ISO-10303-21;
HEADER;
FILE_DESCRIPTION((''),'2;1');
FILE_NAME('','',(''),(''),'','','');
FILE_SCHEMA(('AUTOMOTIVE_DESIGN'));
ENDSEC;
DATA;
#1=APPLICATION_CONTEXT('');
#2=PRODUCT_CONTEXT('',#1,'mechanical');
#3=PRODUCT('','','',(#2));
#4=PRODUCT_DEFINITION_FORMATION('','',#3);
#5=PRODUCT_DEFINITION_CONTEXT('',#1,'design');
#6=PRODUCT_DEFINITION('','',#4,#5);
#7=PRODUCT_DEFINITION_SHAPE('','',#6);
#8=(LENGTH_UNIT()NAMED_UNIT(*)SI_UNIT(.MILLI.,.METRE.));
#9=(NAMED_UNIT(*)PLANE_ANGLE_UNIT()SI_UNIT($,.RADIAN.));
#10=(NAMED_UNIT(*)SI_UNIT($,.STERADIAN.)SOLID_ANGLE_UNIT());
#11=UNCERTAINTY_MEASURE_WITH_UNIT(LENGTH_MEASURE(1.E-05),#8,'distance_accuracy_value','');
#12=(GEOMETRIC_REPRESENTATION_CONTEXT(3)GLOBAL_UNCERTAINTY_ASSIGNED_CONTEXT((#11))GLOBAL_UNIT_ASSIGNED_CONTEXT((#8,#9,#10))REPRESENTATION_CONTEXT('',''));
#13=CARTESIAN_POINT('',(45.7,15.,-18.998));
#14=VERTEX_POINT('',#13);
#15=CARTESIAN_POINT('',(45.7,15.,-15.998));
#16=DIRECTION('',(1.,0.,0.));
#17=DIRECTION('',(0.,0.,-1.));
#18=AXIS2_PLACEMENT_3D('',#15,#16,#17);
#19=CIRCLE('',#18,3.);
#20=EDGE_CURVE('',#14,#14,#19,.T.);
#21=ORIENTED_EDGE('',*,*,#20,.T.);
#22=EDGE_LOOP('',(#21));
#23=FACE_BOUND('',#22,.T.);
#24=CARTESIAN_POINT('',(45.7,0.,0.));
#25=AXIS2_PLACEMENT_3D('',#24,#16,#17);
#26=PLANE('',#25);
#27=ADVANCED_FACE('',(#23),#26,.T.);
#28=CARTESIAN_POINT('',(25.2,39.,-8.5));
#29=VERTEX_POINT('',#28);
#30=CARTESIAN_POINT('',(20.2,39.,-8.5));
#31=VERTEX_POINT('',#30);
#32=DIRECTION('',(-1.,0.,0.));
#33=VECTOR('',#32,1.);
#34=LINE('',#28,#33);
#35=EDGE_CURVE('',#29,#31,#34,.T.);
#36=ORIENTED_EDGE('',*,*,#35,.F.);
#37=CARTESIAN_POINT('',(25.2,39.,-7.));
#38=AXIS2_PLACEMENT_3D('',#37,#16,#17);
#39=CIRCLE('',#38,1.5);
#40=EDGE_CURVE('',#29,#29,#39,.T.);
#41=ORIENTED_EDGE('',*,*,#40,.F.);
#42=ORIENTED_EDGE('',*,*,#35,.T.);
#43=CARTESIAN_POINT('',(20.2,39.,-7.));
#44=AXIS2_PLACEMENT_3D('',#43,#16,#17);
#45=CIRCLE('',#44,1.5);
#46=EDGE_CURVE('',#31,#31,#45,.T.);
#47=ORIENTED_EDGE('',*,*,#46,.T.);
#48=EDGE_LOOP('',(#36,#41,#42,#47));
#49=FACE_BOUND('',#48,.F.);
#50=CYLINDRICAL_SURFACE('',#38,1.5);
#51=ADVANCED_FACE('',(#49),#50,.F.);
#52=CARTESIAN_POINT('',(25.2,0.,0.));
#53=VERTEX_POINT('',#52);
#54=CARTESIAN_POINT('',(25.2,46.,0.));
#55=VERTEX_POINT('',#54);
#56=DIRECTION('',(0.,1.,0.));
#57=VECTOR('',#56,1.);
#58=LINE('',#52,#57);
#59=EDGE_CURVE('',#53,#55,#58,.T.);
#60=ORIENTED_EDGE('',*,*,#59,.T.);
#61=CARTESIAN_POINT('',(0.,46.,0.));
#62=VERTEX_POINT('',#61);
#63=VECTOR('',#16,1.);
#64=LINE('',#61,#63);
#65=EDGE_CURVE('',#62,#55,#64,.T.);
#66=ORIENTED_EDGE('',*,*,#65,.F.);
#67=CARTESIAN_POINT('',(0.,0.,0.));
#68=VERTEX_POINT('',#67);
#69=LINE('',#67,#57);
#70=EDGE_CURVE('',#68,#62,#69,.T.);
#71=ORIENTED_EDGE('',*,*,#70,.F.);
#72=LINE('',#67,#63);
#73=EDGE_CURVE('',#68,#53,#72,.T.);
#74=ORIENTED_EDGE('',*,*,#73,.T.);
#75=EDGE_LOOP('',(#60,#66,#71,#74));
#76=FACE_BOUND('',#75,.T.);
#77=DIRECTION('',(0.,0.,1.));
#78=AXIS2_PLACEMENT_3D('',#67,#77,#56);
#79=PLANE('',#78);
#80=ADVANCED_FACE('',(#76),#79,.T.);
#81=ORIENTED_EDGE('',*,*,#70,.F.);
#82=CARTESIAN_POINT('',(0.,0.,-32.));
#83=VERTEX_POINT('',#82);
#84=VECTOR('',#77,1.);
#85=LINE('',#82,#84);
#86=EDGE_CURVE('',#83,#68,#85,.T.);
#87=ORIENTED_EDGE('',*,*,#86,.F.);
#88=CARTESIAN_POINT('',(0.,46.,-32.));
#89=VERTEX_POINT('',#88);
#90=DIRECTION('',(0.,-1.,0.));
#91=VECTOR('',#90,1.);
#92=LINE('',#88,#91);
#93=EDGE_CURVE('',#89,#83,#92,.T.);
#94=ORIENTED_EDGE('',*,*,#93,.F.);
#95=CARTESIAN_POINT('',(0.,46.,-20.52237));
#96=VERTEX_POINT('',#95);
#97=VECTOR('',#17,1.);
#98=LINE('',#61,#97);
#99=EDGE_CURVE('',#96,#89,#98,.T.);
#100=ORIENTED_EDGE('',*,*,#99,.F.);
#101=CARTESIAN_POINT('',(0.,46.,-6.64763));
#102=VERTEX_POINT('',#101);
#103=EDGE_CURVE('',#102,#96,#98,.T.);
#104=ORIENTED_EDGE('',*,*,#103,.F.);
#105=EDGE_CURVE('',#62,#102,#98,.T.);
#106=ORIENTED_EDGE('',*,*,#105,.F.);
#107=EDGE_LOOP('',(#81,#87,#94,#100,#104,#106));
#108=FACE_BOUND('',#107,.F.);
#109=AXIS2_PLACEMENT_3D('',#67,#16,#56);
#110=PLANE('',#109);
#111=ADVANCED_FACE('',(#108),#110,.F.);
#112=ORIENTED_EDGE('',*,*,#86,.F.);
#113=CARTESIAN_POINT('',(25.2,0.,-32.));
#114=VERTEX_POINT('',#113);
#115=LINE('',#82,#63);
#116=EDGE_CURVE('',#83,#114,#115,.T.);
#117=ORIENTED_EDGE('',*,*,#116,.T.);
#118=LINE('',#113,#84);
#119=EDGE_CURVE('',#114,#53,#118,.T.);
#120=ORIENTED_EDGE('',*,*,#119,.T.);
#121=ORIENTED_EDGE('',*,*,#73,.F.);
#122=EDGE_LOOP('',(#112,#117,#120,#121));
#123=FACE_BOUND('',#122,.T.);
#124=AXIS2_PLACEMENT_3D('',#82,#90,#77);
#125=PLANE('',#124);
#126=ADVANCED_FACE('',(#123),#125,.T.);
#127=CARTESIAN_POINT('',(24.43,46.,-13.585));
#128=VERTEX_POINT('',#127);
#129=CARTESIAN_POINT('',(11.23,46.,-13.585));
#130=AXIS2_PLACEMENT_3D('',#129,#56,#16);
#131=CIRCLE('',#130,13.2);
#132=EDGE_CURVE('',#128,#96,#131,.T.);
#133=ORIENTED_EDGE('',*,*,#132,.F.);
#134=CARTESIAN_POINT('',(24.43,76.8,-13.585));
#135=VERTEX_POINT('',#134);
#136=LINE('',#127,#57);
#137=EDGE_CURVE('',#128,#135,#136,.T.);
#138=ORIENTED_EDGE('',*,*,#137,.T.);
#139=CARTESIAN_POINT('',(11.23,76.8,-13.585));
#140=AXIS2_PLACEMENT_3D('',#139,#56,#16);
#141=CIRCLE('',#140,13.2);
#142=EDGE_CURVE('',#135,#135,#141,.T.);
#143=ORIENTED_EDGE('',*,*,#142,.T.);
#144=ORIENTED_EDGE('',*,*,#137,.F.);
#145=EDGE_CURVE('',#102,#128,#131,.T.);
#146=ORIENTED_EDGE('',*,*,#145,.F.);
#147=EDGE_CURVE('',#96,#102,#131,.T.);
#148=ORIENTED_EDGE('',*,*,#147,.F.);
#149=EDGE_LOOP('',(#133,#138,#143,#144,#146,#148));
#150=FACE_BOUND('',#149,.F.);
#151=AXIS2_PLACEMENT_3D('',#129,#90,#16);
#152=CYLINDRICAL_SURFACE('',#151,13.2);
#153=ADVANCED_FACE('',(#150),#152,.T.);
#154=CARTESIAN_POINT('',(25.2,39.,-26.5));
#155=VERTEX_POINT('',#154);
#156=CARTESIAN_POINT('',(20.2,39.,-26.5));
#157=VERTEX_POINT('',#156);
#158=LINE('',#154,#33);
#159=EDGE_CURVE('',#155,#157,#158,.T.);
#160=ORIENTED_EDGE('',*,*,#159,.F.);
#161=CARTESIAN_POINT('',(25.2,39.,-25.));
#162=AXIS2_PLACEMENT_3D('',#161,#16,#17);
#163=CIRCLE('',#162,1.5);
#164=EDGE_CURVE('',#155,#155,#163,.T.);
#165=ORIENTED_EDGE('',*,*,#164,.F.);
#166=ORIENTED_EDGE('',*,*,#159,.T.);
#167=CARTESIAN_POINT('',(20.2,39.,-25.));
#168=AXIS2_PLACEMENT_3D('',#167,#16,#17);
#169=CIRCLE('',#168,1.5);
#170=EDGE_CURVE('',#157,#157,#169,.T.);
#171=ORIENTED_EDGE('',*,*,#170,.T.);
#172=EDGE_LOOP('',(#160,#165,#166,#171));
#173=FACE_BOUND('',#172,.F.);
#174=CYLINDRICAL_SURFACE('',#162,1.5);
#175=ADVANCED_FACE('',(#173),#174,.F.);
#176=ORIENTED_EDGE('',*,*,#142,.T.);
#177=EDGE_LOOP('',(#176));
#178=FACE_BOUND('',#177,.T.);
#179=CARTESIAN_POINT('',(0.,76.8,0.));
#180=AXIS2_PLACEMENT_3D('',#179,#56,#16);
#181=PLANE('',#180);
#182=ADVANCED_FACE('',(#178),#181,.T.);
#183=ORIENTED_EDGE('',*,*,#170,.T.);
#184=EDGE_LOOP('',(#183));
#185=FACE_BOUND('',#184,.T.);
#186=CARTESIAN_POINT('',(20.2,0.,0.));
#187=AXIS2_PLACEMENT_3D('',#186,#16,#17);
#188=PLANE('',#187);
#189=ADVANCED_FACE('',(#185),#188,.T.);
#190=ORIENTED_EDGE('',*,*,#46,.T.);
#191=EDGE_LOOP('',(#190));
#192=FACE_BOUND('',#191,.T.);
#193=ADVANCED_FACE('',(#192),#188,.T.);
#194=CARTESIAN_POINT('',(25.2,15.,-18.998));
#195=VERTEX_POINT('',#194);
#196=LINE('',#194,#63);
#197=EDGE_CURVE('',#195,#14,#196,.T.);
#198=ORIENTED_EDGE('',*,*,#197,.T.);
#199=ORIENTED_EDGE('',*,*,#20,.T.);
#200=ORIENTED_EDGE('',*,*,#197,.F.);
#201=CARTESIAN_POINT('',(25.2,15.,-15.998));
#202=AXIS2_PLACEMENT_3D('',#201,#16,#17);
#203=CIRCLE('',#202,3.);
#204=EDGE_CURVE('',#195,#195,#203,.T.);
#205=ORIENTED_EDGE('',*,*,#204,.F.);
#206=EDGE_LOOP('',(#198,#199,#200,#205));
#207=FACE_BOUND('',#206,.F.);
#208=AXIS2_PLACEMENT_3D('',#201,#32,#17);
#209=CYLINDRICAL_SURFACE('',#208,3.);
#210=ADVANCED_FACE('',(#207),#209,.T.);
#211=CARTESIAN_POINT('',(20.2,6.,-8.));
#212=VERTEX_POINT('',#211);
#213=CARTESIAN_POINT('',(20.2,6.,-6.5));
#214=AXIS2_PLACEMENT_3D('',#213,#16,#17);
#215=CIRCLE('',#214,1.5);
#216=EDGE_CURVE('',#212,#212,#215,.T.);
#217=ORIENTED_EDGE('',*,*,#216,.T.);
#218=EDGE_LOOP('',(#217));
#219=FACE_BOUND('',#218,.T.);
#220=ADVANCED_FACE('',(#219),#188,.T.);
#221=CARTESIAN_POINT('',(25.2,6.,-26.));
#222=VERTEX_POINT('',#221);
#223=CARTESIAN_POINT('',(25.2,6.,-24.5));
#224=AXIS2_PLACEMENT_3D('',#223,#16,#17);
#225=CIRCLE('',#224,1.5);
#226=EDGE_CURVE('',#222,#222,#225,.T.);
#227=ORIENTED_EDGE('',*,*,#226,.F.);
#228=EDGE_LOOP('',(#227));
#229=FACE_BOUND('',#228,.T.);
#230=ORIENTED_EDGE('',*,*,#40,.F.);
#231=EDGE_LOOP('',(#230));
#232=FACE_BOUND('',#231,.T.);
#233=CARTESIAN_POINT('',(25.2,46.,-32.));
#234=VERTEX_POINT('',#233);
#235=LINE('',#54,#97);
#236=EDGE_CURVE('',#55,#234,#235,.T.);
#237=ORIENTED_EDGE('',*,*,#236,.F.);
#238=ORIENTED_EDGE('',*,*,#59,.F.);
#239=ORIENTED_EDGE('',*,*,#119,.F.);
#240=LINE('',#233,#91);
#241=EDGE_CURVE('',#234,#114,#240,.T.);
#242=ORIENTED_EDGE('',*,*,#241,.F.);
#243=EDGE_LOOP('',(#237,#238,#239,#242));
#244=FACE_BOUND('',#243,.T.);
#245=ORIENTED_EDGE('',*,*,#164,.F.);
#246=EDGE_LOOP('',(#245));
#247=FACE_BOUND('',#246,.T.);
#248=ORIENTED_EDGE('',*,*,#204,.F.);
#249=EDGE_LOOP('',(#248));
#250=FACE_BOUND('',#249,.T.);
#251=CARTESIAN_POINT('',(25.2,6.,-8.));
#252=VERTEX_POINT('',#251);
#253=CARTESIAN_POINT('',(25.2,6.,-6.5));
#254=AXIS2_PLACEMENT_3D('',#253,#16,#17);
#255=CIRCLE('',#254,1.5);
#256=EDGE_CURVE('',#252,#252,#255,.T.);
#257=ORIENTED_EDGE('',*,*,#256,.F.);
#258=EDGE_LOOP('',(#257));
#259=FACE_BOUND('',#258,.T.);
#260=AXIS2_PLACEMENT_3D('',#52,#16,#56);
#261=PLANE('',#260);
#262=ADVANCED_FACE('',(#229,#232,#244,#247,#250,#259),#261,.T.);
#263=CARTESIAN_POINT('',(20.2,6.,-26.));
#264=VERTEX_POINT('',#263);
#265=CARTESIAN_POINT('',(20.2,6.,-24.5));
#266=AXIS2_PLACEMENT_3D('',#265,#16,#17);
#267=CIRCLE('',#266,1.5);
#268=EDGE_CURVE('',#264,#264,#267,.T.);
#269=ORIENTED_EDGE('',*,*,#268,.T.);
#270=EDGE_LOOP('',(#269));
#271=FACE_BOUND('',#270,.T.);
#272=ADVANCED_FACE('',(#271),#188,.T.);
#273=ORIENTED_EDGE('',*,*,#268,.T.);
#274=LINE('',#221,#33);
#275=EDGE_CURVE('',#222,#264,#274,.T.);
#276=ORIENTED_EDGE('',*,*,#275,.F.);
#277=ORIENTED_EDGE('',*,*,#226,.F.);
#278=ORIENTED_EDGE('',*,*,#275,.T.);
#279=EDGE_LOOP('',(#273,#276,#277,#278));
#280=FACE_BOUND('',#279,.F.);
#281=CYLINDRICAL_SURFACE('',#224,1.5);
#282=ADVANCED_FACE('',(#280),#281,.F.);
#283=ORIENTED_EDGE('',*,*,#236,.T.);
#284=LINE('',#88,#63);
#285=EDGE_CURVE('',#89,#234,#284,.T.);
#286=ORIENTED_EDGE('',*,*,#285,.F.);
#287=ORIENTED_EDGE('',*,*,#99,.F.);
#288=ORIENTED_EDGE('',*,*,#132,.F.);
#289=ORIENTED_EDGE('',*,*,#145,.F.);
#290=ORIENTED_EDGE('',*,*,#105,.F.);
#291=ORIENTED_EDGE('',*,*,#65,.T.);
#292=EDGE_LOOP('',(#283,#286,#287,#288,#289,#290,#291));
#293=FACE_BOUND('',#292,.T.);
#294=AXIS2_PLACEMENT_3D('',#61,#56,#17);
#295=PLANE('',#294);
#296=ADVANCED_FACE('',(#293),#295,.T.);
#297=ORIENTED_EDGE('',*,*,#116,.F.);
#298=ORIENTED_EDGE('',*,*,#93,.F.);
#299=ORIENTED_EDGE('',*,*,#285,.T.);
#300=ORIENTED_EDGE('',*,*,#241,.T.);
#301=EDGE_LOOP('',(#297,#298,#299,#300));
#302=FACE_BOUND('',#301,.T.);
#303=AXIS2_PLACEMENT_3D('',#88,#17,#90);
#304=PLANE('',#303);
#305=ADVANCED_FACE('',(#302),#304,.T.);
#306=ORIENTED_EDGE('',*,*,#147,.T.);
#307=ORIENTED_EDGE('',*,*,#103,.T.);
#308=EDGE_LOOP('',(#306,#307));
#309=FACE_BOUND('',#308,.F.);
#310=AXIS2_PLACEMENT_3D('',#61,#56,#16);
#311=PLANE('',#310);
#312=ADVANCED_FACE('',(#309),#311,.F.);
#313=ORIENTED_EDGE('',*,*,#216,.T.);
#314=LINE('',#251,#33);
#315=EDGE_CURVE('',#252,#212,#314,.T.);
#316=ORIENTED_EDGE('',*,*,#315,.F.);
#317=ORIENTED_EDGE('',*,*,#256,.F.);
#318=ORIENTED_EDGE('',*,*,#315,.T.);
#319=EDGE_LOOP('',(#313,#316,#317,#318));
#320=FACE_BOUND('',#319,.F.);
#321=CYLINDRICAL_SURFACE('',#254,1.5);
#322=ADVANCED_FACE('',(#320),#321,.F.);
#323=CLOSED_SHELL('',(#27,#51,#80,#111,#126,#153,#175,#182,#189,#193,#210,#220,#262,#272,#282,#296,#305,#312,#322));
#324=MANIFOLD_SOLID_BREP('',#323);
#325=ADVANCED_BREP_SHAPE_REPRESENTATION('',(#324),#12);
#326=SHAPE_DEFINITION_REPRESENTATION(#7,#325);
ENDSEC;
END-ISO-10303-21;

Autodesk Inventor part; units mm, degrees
ref_plane "YZ Plane" through (0, 0, 0) normal (1, 0, 0) x (0, 1, 0)
ref_plane "XZ Plane" through (0, 0, 0) normal (0, 1, 0) x (-1, 0, 0)
ref_plane "XY Plane" through (0, 0, 0) normal (0, 0, 1) x (1, 0, 0)
sketch "Sketch1" plane through (0, 0, 0) normal (1, 0, 0) x (0, 1, 0)
  line L0 (0, 0) -> (46, 0)
  line L1 (46, 0) -> (46, -32)
  line L2 (46, -32) -> (0, -32)
  line L3 (0, -32) -> (0, 0)
  dimension "d0" = 46
  dimension "d1" = 32
extrude "Extrusion1" add sketch "Sketch1" along normal blind 25.2
sketch "Sketch3" plane through (0, 46, 0) normal (0, 1, 0) x (1, 0, 0)
  circle A0 centre (11.23, 13.585) radius 13.2
  line L0 (25.2, 32) -> (25.2, 0) projected
  line L1 (0, 32) -> (25.2, 32) projected
  point P0 (0, 0)
  dimension "d4" = 26.4
  dimension "d5" = 13.97
  dimension "d6" = 18.415
extrude "Extrusion2" add sketch "Sketch3" along normal blind 30.8
sketch "Sketch4" plane through (25.2, 0, 0) normal (1, 0, 0) x (0, 0, -1)
  circle A0 centre (7, 39) radius 1.5
  circle A1 centre (25, 39) radius 1.5
  circle A2 centre (6.5, 6) radius 1.5
  circle A3 centre (24.5, 6) radius 1.5
  line L0 (32, 46) -> (0, 46) projected
  line L1 (32, 0) -> (32, 46) projected
  point P0 (0, 0)
  dimension "d9" = 3
  dimension "d10" = 3
  dimension "d11" = 3
  dimension "d12" = 3
  dimension "d13" = 7
  dimension "d14" = 7
  dimension "d15" = 18
  dimension "d16" = 33
  dimension "d17" = 33
  dimension "d18" = 18
  dimension "d19" = 7
  dimension "d20" = 7.5
extrude "Extrusion3" cut sketch "Sketch4" against normal blind 5
sketch "Sketch5" plane through (25.2, 0, 0) normal (1, 0, 0) x (0, 0, -1)
  circle A0 centre (15.998, 15) radius 3
  line L0 (32, 0) -> (32, 46) projected
  line L1 (0, 0) -> (32, 0) projected
  dimension "d23" = 6
  dimension "d24" = 16.002
  dimension "d25" = 15
extrude "Extrusion4" add sketch "Sketch5" along normal blind 20.5
properties part number "motor"
